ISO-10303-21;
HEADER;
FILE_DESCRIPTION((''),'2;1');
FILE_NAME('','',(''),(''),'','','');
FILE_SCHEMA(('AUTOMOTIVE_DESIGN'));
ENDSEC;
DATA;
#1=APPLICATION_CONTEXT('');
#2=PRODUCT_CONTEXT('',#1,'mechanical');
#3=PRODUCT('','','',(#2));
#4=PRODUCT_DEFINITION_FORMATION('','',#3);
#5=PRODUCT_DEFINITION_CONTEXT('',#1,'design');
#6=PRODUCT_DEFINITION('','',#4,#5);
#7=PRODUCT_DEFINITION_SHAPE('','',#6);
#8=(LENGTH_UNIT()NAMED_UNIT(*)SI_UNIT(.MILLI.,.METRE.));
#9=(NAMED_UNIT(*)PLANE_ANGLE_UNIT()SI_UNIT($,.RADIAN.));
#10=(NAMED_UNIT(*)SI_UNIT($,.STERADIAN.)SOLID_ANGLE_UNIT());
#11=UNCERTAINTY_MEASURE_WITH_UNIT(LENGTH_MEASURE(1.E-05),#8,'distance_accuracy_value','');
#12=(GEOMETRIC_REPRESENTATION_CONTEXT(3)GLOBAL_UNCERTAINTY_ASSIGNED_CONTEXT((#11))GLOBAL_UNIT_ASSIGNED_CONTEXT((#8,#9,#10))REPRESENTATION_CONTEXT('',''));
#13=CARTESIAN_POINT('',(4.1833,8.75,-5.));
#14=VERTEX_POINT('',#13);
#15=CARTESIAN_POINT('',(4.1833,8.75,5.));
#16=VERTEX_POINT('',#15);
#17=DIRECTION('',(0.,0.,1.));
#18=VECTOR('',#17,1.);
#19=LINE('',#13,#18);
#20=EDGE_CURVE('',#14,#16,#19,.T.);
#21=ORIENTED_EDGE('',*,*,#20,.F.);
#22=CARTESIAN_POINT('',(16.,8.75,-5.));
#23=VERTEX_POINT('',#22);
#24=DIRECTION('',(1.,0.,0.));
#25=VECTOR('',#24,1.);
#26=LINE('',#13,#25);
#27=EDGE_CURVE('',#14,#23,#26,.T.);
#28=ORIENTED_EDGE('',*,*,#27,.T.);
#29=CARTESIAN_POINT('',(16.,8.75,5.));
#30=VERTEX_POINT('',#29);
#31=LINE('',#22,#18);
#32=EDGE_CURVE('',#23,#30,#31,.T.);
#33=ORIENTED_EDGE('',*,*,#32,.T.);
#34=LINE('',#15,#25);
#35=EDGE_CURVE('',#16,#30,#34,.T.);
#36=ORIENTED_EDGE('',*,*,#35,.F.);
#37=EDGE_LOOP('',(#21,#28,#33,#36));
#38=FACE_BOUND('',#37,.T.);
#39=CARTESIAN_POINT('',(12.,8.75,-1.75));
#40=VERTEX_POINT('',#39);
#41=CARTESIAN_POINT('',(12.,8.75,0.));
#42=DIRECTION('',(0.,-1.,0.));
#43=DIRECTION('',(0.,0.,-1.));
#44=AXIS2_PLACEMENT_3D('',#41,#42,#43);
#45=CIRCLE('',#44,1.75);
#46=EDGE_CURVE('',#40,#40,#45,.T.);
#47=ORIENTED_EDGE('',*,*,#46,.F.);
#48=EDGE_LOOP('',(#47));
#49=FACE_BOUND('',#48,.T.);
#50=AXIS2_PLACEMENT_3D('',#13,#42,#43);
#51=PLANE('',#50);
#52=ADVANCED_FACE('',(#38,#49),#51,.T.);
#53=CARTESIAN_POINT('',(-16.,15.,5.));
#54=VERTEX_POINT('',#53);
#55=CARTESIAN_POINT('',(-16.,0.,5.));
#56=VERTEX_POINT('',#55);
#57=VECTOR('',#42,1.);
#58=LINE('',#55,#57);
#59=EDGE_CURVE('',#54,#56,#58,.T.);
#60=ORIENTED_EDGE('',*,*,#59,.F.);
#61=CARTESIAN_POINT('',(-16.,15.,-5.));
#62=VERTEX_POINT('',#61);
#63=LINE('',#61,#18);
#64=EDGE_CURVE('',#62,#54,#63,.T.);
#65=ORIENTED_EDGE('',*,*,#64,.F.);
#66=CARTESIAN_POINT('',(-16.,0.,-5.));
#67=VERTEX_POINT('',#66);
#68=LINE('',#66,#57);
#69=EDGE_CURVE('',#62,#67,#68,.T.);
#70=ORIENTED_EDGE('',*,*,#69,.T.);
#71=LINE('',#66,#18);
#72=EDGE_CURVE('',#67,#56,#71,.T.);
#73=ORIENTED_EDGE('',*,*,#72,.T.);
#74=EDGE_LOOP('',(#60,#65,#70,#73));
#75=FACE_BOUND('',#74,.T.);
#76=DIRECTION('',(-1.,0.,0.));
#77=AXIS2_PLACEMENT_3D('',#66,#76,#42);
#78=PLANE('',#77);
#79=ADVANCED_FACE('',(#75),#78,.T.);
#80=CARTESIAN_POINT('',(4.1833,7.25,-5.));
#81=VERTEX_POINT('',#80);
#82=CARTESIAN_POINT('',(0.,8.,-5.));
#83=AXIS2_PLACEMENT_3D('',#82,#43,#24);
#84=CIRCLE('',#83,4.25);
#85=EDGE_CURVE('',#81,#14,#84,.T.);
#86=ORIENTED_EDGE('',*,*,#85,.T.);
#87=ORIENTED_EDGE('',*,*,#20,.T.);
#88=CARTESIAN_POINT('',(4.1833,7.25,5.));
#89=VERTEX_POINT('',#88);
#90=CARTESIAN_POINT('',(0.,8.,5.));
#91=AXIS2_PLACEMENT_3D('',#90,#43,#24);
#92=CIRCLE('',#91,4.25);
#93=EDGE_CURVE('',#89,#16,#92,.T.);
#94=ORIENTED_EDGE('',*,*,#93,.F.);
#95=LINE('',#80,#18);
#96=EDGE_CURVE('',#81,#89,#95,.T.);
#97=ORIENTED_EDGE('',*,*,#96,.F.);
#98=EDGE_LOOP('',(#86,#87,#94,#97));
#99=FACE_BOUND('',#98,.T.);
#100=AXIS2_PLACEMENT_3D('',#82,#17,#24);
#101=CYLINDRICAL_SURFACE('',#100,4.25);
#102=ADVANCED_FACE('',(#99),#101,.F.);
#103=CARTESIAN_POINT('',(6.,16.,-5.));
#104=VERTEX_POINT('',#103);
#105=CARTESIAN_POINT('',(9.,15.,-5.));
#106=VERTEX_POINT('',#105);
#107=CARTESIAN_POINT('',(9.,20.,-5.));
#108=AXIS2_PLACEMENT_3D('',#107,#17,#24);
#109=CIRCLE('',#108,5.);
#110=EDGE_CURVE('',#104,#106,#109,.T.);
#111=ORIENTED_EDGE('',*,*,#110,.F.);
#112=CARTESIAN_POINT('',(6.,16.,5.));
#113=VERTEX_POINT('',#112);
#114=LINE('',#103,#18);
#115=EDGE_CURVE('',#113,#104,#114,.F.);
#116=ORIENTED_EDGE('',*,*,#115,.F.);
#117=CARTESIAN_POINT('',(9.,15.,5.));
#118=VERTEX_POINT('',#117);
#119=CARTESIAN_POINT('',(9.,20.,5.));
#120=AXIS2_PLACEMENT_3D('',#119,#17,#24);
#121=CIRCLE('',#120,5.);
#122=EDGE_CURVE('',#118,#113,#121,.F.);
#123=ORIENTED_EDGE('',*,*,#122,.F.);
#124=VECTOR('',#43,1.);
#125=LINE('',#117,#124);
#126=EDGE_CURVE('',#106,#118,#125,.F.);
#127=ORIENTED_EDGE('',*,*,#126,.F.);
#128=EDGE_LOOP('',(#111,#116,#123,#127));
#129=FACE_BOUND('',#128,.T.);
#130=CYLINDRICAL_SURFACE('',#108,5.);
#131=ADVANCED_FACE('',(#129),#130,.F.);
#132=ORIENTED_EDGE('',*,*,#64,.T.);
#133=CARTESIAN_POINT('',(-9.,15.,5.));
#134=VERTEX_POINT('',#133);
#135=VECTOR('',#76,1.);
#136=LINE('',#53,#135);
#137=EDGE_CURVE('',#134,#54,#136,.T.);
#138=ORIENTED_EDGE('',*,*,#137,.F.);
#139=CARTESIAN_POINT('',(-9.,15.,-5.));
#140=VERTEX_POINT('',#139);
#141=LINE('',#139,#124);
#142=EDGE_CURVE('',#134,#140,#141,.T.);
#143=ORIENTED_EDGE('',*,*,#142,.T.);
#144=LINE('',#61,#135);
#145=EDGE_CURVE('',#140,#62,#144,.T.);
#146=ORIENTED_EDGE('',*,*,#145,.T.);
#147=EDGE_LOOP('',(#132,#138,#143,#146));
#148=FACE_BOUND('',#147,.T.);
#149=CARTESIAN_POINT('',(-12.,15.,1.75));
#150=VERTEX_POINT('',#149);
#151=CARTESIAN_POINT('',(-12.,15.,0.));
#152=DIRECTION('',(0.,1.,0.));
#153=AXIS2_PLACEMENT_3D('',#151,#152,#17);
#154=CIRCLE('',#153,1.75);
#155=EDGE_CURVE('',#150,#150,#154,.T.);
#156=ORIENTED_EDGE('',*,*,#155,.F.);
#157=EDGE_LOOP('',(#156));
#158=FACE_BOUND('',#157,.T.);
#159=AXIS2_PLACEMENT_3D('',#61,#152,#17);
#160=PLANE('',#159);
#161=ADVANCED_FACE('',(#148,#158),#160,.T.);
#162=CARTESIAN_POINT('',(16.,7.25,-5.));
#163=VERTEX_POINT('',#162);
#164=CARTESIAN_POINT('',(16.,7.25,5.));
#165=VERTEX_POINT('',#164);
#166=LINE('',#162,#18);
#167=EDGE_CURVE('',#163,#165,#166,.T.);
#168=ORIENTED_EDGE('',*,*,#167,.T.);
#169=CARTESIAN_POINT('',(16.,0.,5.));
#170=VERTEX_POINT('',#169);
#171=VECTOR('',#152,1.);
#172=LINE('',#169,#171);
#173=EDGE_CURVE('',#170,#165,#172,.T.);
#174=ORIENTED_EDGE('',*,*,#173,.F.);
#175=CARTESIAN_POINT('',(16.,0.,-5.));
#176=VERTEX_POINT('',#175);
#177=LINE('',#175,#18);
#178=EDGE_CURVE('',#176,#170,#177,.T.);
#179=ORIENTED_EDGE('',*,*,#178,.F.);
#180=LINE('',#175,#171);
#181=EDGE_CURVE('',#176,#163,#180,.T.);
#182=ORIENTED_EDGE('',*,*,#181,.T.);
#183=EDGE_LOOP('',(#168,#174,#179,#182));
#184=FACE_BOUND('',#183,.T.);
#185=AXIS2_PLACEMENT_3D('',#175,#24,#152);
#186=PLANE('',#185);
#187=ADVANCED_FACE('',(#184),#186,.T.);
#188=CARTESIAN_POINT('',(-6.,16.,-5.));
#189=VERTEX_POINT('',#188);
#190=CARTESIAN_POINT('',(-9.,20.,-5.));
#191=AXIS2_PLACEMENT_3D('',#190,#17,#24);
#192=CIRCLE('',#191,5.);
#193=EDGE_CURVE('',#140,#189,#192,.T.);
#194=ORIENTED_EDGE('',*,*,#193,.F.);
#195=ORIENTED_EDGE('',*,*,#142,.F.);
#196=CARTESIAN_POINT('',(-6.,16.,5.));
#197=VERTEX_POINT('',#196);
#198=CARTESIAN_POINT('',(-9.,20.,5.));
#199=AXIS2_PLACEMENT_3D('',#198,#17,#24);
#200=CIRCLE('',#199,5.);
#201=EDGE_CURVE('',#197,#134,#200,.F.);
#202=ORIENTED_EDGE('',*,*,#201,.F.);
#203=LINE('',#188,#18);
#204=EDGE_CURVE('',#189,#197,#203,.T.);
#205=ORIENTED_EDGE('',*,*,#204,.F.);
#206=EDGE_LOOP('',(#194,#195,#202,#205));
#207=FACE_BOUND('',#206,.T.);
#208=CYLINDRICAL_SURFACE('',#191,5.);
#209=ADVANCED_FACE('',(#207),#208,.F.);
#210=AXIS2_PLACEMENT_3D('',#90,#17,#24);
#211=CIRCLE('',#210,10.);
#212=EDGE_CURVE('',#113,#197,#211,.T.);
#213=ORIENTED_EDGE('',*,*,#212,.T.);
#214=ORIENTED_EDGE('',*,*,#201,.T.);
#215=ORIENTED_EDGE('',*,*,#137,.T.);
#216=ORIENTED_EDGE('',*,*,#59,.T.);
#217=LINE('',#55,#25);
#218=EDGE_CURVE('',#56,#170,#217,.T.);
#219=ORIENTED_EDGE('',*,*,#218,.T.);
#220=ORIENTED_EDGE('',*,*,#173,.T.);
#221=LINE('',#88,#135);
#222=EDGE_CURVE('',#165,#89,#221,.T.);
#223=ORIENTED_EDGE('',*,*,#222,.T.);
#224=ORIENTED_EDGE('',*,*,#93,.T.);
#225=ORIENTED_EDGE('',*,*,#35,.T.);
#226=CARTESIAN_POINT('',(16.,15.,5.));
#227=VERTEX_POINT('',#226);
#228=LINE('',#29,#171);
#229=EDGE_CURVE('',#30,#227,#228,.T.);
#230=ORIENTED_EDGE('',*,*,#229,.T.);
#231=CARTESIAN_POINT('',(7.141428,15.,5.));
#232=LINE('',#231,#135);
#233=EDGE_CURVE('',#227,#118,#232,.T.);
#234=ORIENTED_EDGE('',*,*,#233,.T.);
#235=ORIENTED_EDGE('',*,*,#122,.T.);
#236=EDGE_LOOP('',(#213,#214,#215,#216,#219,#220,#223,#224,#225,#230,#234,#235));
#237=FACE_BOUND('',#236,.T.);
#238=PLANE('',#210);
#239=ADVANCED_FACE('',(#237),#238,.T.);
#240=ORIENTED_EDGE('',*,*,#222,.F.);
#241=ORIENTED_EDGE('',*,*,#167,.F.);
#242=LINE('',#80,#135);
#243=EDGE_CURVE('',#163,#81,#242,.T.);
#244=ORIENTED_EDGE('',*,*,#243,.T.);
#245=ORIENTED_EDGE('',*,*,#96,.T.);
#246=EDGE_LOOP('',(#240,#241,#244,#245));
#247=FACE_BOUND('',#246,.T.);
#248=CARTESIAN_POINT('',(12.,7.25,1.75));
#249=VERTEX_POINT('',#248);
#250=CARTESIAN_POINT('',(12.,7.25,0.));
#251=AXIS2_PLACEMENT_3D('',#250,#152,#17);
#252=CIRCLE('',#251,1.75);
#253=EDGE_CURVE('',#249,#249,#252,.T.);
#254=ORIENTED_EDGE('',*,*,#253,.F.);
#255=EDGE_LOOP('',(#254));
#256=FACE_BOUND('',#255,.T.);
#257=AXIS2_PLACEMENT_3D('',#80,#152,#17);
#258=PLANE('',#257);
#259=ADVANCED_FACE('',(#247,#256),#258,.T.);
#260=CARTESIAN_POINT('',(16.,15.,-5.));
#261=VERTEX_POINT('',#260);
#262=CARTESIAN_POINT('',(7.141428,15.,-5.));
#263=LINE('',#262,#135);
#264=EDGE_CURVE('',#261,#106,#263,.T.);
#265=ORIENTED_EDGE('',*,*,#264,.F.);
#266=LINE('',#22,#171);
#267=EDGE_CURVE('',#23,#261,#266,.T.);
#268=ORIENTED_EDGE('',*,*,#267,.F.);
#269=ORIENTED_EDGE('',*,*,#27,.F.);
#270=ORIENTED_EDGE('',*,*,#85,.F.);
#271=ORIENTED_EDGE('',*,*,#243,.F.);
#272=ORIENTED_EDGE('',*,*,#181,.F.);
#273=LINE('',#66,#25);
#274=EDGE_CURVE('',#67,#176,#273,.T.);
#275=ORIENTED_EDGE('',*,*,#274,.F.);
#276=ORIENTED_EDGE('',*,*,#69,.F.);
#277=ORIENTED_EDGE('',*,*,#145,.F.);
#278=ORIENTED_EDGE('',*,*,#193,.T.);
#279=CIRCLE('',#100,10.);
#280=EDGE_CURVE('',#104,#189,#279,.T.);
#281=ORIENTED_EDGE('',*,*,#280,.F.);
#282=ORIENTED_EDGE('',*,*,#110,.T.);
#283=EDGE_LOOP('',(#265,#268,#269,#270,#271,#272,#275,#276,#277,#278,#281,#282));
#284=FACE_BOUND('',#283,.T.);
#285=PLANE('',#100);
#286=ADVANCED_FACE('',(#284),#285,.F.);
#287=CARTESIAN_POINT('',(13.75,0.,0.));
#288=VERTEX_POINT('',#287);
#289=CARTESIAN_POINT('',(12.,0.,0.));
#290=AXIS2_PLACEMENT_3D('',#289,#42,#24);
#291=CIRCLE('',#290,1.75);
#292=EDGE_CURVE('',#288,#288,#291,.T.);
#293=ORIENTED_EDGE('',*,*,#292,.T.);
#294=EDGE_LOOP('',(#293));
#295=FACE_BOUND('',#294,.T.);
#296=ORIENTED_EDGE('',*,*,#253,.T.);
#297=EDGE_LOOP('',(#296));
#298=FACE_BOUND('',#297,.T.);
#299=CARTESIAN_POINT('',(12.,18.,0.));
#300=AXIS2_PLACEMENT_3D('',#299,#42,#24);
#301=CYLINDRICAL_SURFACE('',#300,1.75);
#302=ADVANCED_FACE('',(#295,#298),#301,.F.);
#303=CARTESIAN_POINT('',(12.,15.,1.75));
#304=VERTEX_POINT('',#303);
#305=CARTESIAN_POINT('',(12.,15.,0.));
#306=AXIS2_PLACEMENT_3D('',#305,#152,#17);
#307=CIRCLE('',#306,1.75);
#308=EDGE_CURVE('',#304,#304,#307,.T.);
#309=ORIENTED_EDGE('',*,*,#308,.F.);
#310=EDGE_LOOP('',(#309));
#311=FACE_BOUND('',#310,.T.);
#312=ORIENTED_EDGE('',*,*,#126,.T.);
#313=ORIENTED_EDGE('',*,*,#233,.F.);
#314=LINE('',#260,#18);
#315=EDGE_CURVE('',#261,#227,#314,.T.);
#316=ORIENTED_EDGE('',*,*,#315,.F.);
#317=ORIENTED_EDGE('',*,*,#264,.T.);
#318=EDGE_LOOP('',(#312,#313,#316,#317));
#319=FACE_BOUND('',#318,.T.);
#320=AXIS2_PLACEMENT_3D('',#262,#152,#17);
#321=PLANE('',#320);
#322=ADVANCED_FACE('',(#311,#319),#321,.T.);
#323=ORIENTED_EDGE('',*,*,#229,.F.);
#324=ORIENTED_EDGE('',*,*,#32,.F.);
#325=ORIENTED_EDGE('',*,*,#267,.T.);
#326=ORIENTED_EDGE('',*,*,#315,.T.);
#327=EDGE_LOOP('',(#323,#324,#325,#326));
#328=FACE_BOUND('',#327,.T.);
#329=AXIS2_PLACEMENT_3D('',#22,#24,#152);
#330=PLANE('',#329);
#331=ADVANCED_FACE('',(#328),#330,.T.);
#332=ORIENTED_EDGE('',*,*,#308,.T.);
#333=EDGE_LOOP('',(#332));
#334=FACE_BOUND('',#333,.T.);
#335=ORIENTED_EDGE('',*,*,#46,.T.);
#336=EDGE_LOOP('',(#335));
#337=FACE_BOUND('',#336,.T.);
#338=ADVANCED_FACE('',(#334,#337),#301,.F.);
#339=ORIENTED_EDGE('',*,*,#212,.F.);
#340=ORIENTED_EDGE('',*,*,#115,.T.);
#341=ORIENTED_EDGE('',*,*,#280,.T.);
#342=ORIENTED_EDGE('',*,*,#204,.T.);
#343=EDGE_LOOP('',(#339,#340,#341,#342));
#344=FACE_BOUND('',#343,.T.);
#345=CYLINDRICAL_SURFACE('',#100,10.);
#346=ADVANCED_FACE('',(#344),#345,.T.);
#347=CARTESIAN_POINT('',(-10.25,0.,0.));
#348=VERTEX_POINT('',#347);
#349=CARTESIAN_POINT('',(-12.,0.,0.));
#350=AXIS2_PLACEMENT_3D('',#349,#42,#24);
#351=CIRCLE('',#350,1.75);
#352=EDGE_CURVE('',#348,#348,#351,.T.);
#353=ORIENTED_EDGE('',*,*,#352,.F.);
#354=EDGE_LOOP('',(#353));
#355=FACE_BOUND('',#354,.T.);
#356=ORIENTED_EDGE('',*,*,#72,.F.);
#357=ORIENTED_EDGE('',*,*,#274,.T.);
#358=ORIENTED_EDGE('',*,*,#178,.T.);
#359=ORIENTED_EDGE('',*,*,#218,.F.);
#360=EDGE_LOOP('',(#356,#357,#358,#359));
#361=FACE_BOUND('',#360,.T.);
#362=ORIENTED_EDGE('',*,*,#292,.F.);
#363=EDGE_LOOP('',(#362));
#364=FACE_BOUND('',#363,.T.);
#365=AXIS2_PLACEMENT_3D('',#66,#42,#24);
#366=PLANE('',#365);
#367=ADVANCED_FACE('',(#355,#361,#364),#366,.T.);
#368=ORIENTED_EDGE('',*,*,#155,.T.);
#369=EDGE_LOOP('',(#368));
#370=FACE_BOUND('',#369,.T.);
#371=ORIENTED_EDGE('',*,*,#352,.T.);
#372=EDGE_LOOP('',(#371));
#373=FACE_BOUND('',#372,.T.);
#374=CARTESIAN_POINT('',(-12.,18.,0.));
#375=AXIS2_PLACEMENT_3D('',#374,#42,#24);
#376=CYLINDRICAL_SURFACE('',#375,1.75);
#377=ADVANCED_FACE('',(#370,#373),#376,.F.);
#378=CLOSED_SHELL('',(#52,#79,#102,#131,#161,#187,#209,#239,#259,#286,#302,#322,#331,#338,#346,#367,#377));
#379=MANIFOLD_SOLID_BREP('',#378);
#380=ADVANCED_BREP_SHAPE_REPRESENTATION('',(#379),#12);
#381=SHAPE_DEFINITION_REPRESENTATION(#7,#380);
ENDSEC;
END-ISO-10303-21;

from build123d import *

# Parameters (mm, degrees)
SALIENTE_EXTRUIR1_DEPTH      = 5
SALIENTE_EXTRUIR1_DEPTH_BACK = 5
CROQUIS6_R                   = 1.75
CORTAR_EXTRUIR4_DEPTH        = 25.596747752
REDONDEO1_R                  = 5


with BuildPart() as part:
    # Croquis1 → Saliente-Extruir1 (new, two sides: drawn at the far end of the back side and taken through both)
    with BuildSketch(Plane.XY.offset(-SALIENTE_EXTRUIR1_DEPTH_BACK)):
        with BuildLine():
            Line((4.183300133, 8.75), (16, 8.75))
            Line((16, 8.75), (16, 15))
            Line((16, 15), (7.141428429, 15))
            ThreePointArc((7.141428429, 15), (0, 18), (-7.141428429, 15))
            Line((-7.141428429, 15), (-16, 15))
            Line((-16, 15), (-16, 0))
            Line((-16, 0), (16, 0))
            Line((16, 0), (16, 7.25))
            Line((16, 7.25), (4.183300133, 7.25))
            ThreePointArc((4.183300133, 7.25), (-4.25, 8), (4.183300133, 8.75))
        make_face()
    extrude(amount=SALIENTE_EXTRUIR1_DEPTH + SALIENTE_EXTRUIR1_DEPTH_BACK)

    # Croquis6 → Cortar-Extruir4 (cut, through all)
    with BuildSketch(Plane.XZ):
        with Locations((-12, 0)):
            Circle(CROQUIS6_R)
        with Locations((12, 0)):
            Circle(CROQUIS6_R)
    extrude(amount=-CORTAR_EXTRUIR4_DEPTH, mode=Mode.SUBTRACT)

    # Redondeo1
    redondeo1_edges = [part.edges().sort_by_distance(p)[0] for p in [
        (-7.141428429, 15, 0),
        (7.141428429, 15, 0),
    ]]
    fillet(redondeo1_edges, radius=REDONDEO1_R)


solid = part.part
